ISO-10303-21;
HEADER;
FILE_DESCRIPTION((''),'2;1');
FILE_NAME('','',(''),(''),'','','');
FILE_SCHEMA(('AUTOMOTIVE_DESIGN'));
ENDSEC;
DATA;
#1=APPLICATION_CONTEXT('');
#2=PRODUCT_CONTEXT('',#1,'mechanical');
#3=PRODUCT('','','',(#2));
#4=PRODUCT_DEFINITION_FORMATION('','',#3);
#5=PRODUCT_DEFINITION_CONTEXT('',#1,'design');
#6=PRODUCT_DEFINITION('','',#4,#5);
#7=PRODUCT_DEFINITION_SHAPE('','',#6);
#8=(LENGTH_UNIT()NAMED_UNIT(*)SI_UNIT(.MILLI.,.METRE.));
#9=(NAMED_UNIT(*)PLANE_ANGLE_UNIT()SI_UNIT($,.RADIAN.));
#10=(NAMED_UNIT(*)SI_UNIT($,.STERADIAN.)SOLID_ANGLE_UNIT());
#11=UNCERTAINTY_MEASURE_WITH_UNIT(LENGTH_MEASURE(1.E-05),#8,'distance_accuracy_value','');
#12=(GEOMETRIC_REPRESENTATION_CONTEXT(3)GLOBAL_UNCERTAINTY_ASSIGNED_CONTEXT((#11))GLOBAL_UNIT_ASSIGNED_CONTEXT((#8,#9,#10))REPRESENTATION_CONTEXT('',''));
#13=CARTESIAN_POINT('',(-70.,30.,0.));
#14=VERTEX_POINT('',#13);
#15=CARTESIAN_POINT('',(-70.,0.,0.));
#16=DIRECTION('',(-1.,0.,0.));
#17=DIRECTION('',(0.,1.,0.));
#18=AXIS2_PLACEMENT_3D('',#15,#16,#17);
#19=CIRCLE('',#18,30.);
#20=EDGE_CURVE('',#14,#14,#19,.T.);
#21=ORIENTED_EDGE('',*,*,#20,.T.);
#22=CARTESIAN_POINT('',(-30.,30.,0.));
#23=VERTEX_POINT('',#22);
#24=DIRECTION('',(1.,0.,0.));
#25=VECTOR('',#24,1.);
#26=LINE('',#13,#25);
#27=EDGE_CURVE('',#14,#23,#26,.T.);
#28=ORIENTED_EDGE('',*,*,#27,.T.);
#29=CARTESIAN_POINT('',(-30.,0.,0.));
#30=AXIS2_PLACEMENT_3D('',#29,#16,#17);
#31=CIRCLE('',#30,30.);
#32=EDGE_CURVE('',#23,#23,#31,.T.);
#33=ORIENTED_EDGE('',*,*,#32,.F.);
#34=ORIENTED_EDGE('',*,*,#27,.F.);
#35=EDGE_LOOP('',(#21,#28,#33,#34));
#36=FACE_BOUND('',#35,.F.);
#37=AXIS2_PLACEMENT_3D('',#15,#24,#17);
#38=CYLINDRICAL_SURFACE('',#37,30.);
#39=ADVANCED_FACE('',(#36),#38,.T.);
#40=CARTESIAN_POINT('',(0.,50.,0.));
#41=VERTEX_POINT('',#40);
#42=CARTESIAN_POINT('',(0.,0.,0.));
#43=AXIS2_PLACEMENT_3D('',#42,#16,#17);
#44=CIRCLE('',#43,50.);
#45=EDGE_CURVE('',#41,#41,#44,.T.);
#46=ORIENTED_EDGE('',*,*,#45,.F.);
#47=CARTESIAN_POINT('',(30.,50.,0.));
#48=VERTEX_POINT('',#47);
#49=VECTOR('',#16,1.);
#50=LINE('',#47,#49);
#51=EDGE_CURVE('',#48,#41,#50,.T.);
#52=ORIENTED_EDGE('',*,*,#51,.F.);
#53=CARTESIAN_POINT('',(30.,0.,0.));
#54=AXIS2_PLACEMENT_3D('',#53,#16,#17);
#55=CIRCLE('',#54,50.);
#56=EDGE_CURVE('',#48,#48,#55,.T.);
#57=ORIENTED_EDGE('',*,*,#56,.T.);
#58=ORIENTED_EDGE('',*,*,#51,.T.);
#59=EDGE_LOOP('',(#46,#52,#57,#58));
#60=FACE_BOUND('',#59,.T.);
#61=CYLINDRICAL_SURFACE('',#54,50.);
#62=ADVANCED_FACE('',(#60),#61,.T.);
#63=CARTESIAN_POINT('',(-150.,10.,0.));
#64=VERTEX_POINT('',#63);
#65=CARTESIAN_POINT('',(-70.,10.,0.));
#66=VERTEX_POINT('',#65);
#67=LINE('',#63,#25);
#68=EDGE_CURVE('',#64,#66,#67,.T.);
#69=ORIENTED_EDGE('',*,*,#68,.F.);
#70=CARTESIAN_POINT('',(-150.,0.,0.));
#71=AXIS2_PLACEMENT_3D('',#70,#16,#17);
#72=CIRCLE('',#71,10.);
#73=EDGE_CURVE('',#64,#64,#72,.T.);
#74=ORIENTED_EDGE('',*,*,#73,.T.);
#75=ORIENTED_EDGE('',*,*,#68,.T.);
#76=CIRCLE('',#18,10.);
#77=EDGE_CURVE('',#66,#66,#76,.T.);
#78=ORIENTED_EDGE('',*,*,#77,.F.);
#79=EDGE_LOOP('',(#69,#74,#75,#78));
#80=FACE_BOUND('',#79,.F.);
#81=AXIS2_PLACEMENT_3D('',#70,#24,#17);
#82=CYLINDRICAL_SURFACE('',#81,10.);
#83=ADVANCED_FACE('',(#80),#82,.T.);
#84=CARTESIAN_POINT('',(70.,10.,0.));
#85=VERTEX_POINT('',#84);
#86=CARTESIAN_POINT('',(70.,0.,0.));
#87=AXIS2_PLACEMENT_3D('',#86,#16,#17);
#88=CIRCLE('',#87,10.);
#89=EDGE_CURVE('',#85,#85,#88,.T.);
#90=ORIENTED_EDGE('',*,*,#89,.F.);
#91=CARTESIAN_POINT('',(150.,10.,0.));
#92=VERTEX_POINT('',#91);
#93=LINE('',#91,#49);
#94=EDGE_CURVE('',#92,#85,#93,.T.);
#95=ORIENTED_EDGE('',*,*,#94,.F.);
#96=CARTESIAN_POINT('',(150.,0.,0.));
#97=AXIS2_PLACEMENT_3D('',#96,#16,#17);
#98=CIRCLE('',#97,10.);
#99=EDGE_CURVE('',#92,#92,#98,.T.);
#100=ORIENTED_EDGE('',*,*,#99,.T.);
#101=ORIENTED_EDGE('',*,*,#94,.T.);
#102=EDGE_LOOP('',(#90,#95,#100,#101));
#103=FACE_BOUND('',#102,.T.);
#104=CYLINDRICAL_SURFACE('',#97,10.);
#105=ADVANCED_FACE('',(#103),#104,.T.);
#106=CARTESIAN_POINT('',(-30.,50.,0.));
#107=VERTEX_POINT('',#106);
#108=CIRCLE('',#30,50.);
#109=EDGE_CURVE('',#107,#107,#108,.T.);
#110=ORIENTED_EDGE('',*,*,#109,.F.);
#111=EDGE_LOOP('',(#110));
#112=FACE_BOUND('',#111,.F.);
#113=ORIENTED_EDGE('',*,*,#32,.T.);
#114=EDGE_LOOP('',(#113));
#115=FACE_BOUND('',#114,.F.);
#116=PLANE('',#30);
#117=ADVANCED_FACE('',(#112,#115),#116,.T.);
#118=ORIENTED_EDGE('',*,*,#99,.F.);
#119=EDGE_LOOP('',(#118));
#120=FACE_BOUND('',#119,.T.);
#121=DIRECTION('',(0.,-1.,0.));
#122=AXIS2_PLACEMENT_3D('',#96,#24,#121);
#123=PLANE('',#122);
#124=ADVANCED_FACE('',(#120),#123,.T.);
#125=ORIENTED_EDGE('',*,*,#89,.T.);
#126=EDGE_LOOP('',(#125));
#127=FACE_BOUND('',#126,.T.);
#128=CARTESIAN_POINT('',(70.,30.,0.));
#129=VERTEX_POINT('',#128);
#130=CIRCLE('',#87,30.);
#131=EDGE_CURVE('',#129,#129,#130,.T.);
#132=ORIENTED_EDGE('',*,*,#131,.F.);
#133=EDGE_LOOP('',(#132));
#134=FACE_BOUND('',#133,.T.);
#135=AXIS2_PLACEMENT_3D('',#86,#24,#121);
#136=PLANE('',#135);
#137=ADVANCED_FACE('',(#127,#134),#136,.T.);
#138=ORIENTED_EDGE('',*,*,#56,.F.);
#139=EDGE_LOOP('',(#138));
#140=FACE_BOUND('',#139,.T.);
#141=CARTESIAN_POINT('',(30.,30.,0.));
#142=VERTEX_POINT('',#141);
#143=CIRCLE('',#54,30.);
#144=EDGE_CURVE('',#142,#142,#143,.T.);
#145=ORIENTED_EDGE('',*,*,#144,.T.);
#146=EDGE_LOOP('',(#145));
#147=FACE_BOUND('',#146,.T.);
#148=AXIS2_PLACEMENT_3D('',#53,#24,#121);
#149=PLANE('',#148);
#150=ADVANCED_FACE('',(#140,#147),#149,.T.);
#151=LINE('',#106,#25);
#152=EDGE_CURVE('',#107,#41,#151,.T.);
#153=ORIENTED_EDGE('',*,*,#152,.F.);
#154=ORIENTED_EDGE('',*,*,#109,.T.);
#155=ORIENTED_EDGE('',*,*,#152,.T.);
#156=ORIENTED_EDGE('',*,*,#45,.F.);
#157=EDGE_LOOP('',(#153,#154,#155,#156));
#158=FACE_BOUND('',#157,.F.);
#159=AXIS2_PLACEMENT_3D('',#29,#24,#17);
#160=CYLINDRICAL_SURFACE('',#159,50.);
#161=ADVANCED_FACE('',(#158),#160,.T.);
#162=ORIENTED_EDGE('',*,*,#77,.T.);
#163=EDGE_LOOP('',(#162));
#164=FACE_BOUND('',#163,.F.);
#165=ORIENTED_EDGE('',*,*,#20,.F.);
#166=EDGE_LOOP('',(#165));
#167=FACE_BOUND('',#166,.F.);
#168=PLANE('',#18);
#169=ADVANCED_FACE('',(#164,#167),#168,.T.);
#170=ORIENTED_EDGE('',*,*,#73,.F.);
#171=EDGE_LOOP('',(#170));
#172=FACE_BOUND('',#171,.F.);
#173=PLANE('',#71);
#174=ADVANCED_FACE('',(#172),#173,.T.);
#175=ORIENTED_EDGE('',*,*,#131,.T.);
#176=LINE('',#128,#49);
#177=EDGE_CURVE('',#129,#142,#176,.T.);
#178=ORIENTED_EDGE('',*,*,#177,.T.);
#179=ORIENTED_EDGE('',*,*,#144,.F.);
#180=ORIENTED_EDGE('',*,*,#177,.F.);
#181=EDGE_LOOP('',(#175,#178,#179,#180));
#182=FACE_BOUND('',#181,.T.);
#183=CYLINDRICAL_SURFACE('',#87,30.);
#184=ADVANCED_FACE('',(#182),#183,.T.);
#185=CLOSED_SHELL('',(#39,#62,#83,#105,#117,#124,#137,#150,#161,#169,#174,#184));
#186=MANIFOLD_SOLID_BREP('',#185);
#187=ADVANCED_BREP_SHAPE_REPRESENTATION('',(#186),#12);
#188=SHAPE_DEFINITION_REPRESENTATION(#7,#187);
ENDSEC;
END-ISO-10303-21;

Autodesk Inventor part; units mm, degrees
ref_plane "YZ Plane" through (0, 0, 0) normal (1, 0, 0) x (0, 1, 0)
ref_plane "XZ Plane" through (0, 0, 0) normal (0, 1, 0) x (-1, 0, 0)
ref_plane "XY Plane" through (0, 0, 0) normal (0, 0, 1) x (1, 0, 0)
sketch "草圖1" plane through (0, 0, 0) normal (0, 0, 1) x (1, 0, 0)
  line L0 (0, 0) -> (-30, 0)
  line L1 (-30, 0) -> (-30, 50)
  line L2 (-30, 50) -> (0, 50)
  line L3 (0, 50) -> (0, 0)
  line L4 (-30, 0) -> (-70, 0)
  line L5 (-70, 0) -> (-70, 30)
  line L6 (-70, 30) -> (-30, 30)
  line L7 (-30, 30) -> (-30, 0)
  line L8 (-70, 0) -> (-150, 0)
  line L9 (-150, 0) -> (-150, 10)
  line L10 (-150, 10) -> (-70, 10)
  line L11 (-70, 10) -> (-70, 0)
  dimension "d0" = 30
  dimension "d1" = 40
  dimension "d2" = 80
  dimension "d3" = 10
  dimension "d4" = 30
  dimension "d5" = 50
revolve "迴轉1" add sketch "草圖1" angle 360 about axis through (-70, 0, 0) along (-1, 0, 0)
mirror "鏡射1" about plane through (0, 0, 0) normal (1, 0, 0) of "迴轉1"
properties part number "P1"
